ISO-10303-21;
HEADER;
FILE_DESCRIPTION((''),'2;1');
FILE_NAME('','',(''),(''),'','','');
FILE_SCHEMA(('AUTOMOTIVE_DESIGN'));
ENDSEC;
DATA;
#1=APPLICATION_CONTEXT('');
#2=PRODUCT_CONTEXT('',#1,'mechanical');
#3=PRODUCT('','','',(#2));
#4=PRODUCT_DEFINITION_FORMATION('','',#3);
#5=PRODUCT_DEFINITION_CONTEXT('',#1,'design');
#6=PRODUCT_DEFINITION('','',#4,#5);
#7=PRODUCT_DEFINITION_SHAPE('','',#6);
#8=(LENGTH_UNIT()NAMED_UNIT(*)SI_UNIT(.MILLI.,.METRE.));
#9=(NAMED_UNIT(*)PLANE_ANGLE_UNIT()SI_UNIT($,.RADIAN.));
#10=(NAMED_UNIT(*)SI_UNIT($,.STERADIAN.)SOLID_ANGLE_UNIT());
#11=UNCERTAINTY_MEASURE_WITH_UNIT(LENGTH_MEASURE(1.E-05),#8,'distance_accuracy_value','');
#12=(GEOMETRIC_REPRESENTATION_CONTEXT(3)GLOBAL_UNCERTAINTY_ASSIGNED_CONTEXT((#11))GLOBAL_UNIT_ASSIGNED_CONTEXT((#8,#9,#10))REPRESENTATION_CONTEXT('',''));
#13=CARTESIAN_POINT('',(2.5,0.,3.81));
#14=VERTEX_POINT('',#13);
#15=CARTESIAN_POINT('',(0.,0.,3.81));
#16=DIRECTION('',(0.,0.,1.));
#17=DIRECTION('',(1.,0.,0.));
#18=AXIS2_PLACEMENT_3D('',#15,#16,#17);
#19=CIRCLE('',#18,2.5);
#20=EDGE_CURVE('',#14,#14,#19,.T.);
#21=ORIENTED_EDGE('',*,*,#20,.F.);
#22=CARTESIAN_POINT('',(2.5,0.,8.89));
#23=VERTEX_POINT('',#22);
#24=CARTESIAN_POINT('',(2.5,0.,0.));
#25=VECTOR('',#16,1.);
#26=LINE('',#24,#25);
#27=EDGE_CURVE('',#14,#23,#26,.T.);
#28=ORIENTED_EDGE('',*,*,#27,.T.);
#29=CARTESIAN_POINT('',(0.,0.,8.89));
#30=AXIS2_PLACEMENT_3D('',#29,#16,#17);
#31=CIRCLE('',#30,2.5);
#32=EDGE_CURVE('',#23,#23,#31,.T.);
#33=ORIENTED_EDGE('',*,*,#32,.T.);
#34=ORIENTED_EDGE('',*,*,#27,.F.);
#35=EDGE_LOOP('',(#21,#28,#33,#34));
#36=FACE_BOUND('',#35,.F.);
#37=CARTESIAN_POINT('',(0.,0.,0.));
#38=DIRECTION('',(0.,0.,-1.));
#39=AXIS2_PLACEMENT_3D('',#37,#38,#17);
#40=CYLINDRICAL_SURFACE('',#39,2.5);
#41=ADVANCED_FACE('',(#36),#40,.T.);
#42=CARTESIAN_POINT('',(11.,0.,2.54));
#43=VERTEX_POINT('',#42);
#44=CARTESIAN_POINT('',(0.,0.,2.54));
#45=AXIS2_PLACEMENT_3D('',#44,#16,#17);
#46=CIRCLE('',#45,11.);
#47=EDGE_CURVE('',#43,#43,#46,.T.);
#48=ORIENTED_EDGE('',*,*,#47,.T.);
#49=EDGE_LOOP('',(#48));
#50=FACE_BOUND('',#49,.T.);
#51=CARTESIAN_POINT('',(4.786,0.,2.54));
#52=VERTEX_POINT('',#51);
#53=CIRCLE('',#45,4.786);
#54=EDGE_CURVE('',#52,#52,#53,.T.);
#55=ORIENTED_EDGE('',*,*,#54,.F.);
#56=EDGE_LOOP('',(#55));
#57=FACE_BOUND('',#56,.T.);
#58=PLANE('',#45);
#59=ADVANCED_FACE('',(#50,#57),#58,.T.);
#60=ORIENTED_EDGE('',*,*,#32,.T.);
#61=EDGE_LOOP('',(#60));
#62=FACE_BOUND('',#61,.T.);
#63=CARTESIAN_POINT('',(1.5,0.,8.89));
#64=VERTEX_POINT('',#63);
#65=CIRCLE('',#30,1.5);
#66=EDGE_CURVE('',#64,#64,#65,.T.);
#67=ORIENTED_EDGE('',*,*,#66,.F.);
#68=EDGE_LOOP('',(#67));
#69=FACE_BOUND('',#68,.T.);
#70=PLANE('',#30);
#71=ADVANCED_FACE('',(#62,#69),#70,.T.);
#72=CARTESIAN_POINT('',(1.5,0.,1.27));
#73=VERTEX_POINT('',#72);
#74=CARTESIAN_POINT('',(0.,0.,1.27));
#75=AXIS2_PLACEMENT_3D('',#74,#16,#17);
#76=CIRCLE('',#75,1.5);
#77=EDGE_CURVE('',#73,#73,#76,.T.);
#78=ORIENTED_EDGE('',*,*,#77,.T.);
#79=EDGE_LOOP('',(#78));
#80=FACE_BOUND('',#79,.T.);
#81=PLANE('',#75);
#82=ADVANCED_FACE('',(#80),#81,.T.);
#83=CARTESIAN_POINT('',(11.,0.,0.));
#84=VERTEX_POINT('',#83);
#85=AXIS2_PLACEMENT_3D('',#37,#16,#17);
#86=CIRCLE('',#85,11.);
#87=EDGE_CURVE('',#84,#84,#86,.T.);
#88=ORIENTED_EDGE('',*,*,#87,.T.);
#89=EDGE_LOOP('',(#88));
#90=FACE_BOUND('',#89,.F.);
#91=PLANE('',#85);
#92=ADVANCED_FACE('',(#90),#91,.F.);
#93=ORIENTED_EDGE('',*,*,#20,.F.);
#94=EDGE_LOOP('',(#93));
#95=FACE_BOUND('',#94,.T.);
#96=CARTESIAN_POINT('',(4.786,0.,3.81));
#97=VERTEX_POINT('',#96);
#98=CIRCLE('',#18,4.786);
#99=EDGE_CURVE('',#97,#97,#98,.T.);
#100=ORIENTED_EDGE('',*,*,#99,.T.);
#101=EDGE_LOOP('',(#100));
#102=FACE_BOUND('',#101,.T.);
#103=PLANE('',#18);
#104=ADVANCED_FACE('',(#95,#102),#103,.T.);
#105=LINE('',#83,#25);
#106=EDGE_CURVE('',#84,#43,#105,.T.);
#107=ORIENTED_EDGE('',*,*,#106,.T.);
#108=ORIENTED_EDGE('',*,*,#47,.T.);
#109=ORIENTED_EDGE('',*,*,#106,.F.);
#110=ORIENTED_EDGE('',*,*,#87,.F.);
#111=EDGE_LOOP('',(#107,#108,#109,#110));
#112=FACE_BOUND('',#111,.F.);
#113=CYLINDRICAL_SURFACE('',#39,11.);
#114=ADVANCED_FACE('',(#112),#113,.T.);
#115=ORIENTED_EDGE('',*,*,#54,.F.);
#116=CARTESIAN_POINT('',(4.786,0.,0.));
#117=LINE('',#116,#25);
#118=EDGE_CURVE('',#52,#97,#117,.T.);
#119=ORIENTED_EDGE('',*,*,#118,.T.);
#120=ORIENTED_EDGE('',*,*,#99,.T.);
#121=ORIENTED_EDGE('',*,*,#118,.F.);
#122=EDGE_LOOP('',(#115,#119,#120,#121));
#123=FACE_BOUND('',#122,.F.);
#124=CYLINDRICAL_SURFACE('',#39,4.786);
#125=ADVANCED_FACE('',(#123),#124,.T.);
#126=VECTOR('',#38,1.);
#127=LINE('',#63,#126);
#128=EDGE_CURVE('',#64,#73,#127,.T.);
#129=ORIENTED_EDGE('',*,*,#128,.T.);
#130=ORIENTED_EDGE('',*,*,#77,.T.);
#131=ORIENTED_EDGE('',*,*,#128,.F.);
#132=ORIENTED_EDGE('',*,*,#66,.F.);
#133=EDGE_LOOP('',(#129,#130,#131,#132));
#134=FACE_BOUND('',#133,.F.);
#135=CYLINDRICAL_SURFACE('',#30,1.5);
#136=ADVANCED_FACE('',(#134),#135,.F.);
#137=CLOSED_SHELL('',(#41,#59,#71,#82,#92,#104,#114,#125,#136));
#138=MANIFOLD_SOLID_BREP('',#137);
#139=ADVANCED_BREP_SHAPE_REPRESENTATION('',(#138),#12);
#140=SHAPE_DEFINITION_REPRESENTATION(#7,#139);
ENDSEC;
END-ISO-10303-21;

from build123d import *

# Parameters (mm, degrees)
F0_R     = 2.5
F1_DEPTH = 8.89
F0_R_2   = 4.786
F2_DEPTH = 3.81
F0_R_3   = 11
F3_DEPTH = 2.54
F4_R     = 1.5
F5_DEPTH = 7.62


with BuildPart() as f1:
    # F0 (on Top) → F1 (new body)
    with BuildSketch(Plane.XY):
        Circle(F0_R)
    extrude(amount=F1_DEPTH)

    # F0 (on Top) → F2 (join)
    with BuildSketch(Plane.XY):
        Circle(F0_R_2)
        Circle(F0_R, mode=Mode.SUBTRACT)
    extrude(amount=F2_DEPTH)

    # F0 (on Top) → F3 (join)
    with BuildSketch(Plane.XY):
        Circle(F0_R_3)
        Circle(F0_R_2, mode=Mode.SUBTRACT)
    extrude(amount=F3_DEPTH)

    # F4 (on face) → F5 (cut)
    with BuildSketch(Plane.XY.offset(8.89)):
        Circle(F4_R)
    extrude(amount=-F5_DEPTH, mode=Mode.SUBTRACT)


solid = f1.part
